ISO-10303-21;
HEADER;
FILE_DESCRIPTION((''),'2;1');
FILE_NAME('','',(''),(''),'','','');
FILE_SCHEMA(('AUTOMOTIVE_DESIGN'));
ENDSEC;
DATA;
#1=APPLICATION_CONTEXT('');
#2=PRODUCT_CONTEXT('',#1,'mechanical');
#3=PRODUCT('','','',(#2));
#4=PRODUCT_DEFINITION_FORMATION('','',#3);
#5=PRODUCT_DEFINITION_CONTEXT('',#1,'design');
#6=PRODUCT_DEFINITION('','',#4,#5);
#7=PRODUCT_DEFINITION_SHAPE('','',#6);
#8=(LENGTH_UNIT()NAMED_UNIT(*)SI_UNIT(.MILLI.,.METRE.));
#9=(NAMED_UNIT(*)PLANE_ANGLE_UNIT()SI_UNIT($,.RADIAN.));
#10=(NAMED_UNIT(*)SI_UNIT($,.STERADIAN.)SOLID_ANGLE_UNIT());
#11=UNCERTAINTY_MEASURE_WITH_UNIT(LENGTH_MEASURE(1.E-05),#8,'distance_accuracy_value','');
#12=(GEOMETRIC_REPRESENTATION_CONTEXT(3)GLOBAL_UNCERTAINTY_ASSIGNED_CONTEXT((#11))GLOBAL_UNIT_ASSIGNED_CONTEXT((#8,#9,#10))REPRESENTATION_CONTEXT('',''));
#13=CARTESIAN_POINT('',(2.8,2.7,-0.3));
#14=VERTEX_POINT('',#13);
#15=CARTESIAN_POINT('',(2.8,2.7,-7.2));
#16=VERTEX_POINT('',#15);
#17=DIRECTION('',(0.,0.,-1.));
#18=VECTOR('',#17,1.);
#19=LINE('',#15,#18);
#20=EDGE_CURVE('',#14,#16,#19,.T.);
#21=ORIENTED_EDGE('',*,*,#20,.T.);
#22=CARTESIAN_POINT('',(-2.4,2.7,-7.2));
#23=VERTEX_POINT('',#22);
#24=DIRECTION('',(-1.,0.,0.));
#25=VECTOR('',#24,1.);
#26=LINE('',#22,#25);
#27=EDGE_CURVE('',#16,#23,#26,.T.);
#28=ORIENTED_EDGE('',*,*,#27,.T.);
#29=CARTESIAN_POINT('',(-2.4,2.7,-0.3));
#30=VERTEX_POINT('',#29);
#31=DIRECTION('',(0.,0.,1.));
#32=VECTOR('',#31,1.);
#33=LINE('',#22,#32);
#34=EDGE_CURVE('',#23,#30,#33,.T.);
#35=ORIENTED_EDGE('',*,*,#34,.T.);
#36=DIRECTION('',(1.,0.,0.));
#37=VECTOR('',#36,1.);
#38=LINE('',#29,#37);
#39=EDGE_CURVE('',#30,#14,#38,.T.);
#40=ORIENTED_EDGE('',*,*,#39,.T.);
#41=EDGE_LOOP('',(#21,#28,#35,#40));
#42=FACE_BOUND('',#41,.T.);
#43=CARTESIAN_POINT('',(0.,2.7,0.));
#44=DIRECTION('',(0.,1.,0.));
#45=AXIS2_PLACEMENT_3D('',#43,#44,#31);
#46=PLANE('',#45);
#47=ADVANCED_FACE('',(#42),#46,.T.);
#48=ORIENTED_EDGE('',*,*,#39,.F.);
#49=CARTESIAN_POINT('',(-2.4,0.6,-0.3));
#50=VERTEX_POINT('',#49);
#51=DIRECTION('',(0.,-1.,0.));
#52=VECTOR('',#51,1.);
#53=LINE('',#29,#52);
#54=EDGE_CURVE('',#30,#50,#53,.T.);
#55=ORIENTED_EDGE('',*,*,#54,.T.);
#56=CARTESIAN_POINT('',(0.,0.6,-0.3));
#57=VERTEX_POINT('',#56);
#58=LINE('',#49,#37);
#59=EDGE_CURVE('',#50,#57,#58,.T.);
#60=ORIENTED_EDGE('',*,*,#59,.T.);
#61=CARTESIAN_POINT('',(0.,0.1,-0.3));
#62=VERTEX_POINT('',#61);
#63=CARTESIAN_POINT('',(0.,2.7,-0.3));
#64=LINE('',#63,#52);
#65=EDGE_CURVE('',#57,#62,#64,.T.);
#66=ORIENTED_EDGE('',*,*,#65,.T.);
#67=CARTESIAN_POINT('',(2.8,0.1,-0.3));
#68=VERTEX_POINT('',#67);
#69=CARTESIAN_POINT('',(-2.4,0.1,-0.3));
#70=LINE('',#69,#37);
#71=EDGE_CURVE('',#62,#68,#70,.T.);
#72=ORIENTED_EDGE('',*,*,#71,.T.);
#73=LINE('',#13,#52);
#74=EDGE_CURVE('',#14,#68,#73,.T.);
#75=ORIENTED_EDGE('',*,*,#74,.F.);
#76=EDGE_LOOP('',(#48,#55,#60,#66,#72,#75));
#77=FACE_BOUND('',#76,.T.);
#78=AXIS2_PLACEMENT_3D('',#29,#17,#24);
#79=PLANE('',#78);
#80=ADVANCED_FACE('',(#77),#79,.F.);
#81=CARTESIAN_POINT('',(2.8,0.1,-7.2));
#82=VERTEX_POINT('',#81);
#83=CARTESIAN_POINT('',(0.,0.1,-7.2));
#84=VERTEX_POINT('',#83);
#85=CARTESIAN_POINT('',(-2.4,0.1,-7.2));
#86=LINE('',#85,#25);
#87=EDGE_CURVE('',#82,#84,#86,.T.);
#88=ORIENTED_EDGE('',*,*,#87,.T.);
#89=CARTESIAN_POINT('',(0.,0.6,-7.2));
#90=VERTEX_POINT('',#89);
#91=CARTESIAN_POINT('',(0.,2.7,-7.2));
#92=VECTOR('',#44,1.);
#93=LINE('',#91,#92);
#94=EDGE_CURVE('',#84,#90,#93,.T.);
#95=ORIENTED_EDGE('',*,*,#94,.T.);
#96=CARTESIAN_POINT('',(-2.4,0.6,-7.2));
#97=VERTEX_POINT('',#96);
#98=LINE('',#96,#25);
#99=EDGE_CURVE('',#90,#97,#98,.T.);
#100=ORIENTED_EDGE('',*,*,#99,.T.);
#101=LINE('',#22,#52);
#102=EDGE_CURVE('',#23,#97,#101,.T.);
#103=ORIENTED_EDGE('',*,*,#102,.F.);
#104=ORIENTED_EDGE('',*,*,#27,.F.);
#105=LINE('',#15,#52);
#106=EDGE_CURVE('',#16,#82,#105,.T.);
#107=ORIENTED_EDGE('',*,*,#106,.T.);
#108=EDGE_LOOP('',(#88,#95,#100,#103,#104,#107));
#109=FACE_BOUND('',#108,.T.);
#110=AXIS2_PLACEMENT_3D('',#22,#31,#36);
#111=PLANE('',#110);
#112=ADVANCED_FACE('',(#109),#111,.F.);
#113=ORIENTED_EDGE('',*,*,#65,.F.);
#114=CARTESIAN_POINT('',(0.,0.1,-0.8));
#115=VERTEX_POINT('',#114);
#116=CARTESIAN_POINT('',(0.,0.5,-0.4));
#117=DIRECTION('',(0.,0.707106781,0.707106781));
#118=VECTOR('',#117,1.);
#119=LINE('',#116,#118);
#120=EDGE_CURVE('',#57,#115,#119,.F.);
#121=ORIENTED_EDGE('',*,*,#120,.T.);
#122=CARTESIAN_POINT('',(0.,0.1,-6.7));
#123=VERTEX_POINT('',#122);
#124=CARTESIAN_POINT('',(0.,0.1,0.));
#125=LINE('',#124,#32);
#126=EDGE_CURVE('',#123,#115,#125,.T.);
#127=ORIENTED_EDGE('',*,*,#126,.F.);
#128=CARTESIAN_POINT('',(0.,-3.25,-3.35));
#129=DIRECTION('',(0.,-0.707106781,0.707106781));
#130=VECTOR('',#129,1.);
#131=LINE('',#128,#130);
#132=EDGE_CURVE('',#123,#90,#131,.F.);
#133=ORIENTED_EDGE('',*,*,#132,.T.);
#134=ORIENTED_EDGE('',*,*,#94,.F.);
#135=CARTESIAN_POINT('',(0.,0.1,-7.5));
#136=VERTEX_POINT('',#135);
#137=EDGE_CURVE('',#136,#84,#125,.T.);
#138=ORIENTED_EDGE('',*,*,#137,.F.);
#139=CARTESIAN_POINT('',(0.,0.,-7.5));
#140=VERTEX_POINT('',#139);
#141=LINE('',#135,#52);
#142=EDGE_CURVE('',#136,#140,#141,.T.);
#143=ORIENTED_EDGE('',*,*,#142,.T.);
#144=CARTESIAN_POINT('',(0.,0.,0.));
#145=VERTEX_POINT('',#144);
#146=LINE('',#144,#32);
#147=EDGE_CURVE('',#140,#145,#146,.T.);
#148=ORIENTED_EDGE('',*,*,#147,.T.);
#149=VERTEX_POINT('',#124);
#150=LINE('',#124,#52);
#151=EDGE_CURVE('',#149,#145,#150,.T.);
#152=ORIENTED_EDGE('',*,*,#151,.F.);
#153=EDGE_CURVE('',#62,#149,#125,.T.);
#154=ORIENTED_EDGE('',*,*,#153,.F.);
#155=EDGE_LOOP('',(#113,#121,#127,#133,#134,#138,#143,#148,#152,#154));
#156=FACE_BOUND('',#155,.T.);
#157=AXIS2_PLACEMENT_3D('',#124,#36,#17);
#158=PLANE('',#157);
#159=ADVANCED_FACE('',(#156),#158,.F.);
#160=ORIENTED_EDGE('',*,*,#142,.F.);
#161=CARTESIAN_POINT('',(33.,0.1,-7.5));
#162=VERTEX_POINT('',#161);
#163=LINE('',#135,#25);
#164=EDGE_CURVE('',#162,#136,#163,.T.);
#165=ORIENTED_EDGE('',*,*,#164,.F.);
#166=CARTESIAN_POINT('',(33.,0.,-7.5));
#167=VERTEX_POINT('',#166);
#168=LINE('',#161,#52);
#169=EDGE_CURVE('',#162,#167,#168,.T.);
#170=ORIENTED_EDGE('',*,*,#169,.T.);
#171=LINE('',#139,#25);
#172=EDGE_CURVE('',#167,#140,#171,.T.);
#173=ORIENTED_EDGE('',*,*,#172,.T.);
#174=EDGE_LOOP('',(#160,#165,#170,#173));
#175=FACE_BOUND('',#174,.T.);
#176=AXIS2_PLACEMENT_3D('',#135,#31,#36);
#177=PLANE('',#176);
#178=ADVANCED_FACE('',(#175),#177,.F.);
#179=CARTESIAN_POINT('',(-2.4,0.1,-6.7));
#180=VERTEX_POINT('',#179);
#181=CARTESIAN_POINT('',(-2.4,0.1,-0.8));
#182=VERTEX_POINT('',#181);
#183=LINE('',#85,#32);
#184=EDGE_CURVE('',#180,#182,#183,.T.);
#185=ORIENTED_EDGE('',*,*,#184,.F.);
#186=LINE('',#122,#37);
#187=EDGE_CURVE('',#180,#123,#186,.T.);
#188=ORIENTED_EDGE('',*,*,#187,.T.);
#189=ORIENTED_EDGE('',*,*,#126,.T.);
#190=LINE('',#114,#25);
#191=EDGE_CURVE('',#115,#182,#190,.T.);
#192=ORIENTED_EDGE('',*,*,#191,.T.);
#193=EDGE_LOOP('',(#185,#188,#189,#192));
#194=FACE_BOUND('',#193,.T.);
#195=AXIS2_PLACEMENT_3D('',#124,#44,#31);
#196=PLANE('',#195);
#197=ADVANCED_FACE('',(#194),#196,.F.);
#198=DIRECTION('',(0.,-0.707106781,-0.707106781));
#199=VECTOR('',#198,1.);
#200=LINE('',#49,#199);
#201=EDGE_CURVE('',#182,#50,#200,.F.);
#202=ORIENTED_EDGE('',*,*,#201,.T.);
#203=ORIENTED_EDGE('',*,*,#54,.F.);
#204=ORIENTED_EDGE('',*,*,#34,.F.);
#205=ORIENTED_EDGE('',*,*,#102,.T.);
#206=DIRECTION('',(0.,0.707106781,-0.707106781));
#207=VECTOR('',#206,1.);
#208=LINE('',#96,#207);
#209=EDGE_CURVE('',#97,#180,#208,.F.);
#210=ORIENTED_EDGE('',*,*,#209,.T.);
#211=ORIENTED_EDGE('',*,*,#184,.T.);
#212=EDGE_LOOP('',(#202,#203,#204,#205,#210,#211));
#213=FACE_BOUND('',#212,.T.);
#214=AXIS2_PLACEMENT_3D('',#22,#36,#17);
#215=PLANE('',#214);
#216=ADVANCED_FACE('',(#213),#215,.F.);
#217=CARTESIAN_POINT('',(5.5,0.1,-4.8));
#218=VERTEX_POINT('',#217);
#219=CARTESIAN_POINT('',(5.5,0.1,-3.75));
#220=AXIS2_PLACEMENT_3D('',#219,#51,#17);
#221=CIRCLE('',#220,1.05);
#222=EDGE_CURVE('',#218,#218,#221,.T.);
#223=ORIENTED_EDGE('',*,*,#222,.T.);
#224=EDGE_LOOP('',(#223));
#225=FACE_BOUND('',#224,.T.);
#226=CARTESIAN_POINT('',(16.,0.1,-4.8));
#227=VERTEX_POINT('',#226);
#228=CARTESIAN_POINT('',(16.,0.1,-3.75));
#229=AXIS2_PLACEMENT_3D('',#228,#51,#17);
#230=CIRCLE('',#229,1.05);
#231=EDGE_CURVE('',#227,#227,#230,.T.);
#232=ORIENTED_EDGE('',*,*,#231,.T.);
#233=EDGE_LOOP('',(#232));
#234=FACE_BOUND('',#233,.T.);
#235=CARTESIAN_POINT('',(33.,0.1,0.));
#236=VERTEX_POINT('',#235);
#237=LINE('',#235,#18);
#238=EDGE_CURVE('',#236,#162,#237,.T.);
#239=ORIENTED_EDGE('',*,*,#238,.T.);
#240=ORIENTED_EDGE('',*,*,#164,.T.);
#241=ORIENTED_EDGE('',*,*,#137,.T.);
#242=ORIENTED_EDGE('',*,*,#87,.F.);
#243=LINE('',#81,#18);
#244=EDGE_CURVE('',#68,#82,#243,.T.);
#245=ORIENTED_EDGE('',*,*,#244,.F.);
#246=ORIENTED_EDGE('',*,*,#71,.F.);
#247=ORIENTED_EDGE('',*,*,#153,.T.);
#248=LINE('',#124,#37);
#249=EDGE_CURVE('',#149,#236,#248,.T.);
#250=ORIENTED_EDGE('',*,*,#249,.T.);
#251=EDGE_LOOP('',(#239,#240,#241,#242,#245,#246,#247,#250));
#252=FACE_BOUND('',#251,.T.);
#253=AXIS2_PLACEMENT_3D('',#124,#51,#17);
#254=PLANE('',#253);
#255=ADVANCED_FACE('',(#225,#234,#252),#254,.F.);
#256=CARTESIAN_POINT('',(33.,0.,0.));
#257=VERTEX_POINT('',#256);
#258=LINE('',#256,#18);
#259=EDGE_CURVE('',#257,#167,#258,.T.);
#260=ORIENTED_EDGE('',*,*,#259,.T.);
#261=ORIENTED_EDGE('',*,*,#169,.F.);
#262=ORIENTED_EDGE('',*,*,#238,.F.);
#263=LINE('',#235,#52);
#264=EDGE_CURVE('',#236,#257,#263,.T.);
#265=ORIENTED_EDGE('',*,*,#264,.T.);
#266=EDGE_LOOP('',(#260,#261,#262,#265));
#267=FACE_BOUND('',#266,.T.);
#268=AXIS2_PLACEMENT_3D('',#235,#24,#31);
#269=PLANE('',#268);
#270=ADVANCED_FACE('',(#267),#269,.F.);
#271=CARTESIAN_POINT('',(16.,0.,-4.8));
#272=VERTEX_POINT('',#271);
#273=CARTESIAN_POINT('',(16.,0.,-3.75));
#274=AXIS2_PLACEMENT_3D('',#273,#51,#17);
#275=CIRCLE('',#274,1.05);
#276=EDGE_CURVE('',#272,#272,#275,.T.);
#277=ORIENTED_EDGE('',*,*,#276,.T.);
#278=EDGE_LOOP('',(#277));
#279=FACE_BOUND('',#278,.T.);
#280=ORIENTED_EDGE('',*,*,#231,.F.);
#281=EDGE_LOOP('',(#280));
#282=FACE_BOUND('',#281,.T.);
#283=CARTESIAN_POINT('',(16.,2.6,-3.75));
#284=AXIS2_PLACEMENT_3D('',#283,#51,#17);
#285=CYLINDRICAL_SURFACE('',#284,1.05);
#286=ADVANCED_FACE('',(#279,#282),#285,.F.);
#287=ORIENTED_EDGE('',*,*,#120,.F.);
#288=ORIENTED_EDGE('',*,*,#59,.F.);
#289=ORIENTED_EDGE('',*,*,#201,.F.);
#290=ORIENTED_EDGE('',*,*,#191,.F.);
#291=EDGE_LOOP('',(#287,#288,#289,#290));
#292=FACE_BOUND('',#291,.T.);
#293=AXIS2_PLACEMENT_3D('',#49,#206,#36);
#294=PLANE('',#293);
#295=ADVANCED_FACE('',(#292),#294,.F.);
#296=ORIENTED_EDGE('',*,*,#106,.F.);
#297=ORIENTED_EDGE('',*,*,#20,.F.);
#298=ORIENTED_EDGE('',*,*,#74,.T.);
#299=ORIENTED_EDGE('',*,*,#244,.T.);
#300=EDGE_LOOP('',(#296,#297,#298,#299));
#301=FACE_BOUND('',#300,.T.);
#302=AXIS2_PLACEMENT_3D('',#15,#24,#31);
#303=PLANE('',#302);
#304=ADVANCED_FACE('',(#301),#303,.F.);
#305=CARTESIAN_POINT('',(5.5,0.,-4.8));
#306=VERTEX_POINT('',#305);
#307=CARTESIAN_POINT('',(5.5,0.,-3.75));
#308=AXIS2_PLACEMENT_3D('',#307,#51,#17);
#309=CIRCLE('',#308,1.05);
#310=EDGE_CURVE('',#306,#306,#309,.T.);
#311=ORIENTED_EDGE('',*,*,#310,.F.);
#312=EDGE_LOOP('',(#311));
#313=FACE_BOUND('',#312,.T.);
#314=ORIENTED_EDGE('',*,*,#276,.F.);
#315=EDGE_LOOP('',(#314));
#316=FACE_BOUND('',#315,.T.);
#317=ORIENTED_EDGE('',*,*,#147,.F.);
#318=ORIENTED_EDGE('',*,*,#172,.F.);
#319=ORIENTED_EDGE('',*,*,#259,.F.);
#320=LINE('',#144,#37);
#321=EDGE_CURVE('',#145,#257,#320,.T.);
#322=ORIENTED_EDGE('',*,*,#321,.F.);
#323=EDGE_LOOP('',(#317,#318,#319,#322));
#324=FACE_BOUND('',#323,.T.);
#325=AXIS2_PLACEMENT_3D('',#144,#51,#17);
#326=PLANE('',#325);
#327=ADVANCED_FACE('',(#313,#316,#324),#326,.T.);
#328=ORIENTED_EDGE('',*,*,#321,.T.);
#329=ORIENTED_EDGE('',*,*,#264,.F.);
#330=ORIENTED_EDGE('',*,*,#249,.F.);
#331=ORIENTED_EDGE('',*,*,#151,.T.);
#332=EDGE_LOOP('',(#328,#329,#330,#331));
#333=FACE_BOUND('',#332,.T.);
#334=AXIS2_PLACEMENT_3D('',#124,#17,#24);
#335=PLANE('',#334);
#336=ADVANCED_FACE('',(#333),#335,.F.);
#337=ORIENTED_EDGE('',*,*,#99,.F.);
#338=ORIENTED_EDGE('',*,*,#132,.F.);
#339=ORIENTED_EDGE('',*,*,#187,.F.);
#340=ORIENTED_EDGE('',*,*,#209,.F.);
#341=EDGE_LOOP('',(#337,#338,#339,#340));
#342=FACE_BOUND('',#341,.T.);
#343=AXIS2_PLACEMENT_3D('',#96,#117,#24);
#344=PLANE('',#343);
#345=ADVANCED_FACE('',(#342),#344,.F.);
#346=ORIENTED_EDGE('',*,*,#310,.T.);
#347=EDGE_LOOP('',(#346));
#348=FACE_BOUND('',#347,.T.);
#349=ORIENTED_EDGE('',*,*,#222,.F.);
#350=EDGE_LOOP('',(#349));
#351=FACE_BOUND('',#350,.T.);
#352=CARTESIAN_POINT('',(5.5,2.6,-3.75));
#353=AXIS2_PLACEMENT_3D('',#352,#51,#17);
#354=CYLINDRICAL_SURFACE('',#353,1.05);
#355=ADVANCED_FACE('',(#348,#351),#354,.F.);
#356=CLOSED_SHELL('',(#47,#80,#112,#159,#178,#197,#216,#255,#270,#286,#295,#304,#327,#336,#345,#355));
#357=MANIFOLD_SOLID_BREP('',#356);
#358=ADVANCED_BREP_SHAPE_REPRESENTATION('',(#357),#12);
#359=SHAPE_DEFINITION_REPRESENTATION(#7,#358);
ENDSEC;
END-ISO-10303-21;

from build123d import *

# Parameters (mm, degrees)
SKETCH1_W           = 33
SKETCH1_H           = 7.5
BOSS_EXTRUDE1_DEPTH = 0.1
SKETCH2_W           = 5.2
SKETCH2_H           = 6.9
BOSS_EXTRUDE2_DEPTH = 2.6
CHAMFER1_SIZE       = 0.5
SKETCH3_R           = 1.05
CUT_EXTRUDE1_DEPTH  = 2.6


with BuildPart() as part:
    # Sketch1 → Boss-Extrude1 (new body)
    with BuildSketch(Plane(origin=(0, 0, 0), x_dir=(1, 0, 0), z_dir=(0, 1, 0))):
        with Locations((16.5, 3.75)):
            Rectangle(SKETCH1_W, SKETCH1_H)
    extrude(amount=BOSS_EXTRUDE1_DEPTH)

    # Sketch2 → Boss-Extrude2 (add)
    with BuildSketch(Plane(origin=(0, 0.1, 0), x_dir=(1, 0, 0), z_dir=(0, 1, 0))):
        with Locations((0.2, 3.75)):
            Rectangle(SKETCH2_W, SKETCH2_H)
    extrude(amount=BOSS_EXTRUDE2_DEPTH)

    # Chamfer1
    chamfer1_edges = [part.edges().sort_by_distance(p)[0] for p in [
        (-1.2, 0.1, -0.3),
        (-1.2, 0.1, -7.2),
    ]]
    chamfer(chamfer1_edges, length=CHAMFER1_SIZE)

    # Sketch3 → Cut-Extrude1 (cut)
    with BuildSketch(Plane.XZ):
        with Locations(Location((5.5, -3.75, 0), (0, 0, 270))):
            Circle(SKETCH3_R)
        with Locations(Location((16, -3.75, 0), (0, 0, 270))):
            Circle(SKETCH3_R)
    extrude(amount=-CUT_EXTRUDE1_DEPTH, mode=Mode.SUBTRACT)


solid = part.part
